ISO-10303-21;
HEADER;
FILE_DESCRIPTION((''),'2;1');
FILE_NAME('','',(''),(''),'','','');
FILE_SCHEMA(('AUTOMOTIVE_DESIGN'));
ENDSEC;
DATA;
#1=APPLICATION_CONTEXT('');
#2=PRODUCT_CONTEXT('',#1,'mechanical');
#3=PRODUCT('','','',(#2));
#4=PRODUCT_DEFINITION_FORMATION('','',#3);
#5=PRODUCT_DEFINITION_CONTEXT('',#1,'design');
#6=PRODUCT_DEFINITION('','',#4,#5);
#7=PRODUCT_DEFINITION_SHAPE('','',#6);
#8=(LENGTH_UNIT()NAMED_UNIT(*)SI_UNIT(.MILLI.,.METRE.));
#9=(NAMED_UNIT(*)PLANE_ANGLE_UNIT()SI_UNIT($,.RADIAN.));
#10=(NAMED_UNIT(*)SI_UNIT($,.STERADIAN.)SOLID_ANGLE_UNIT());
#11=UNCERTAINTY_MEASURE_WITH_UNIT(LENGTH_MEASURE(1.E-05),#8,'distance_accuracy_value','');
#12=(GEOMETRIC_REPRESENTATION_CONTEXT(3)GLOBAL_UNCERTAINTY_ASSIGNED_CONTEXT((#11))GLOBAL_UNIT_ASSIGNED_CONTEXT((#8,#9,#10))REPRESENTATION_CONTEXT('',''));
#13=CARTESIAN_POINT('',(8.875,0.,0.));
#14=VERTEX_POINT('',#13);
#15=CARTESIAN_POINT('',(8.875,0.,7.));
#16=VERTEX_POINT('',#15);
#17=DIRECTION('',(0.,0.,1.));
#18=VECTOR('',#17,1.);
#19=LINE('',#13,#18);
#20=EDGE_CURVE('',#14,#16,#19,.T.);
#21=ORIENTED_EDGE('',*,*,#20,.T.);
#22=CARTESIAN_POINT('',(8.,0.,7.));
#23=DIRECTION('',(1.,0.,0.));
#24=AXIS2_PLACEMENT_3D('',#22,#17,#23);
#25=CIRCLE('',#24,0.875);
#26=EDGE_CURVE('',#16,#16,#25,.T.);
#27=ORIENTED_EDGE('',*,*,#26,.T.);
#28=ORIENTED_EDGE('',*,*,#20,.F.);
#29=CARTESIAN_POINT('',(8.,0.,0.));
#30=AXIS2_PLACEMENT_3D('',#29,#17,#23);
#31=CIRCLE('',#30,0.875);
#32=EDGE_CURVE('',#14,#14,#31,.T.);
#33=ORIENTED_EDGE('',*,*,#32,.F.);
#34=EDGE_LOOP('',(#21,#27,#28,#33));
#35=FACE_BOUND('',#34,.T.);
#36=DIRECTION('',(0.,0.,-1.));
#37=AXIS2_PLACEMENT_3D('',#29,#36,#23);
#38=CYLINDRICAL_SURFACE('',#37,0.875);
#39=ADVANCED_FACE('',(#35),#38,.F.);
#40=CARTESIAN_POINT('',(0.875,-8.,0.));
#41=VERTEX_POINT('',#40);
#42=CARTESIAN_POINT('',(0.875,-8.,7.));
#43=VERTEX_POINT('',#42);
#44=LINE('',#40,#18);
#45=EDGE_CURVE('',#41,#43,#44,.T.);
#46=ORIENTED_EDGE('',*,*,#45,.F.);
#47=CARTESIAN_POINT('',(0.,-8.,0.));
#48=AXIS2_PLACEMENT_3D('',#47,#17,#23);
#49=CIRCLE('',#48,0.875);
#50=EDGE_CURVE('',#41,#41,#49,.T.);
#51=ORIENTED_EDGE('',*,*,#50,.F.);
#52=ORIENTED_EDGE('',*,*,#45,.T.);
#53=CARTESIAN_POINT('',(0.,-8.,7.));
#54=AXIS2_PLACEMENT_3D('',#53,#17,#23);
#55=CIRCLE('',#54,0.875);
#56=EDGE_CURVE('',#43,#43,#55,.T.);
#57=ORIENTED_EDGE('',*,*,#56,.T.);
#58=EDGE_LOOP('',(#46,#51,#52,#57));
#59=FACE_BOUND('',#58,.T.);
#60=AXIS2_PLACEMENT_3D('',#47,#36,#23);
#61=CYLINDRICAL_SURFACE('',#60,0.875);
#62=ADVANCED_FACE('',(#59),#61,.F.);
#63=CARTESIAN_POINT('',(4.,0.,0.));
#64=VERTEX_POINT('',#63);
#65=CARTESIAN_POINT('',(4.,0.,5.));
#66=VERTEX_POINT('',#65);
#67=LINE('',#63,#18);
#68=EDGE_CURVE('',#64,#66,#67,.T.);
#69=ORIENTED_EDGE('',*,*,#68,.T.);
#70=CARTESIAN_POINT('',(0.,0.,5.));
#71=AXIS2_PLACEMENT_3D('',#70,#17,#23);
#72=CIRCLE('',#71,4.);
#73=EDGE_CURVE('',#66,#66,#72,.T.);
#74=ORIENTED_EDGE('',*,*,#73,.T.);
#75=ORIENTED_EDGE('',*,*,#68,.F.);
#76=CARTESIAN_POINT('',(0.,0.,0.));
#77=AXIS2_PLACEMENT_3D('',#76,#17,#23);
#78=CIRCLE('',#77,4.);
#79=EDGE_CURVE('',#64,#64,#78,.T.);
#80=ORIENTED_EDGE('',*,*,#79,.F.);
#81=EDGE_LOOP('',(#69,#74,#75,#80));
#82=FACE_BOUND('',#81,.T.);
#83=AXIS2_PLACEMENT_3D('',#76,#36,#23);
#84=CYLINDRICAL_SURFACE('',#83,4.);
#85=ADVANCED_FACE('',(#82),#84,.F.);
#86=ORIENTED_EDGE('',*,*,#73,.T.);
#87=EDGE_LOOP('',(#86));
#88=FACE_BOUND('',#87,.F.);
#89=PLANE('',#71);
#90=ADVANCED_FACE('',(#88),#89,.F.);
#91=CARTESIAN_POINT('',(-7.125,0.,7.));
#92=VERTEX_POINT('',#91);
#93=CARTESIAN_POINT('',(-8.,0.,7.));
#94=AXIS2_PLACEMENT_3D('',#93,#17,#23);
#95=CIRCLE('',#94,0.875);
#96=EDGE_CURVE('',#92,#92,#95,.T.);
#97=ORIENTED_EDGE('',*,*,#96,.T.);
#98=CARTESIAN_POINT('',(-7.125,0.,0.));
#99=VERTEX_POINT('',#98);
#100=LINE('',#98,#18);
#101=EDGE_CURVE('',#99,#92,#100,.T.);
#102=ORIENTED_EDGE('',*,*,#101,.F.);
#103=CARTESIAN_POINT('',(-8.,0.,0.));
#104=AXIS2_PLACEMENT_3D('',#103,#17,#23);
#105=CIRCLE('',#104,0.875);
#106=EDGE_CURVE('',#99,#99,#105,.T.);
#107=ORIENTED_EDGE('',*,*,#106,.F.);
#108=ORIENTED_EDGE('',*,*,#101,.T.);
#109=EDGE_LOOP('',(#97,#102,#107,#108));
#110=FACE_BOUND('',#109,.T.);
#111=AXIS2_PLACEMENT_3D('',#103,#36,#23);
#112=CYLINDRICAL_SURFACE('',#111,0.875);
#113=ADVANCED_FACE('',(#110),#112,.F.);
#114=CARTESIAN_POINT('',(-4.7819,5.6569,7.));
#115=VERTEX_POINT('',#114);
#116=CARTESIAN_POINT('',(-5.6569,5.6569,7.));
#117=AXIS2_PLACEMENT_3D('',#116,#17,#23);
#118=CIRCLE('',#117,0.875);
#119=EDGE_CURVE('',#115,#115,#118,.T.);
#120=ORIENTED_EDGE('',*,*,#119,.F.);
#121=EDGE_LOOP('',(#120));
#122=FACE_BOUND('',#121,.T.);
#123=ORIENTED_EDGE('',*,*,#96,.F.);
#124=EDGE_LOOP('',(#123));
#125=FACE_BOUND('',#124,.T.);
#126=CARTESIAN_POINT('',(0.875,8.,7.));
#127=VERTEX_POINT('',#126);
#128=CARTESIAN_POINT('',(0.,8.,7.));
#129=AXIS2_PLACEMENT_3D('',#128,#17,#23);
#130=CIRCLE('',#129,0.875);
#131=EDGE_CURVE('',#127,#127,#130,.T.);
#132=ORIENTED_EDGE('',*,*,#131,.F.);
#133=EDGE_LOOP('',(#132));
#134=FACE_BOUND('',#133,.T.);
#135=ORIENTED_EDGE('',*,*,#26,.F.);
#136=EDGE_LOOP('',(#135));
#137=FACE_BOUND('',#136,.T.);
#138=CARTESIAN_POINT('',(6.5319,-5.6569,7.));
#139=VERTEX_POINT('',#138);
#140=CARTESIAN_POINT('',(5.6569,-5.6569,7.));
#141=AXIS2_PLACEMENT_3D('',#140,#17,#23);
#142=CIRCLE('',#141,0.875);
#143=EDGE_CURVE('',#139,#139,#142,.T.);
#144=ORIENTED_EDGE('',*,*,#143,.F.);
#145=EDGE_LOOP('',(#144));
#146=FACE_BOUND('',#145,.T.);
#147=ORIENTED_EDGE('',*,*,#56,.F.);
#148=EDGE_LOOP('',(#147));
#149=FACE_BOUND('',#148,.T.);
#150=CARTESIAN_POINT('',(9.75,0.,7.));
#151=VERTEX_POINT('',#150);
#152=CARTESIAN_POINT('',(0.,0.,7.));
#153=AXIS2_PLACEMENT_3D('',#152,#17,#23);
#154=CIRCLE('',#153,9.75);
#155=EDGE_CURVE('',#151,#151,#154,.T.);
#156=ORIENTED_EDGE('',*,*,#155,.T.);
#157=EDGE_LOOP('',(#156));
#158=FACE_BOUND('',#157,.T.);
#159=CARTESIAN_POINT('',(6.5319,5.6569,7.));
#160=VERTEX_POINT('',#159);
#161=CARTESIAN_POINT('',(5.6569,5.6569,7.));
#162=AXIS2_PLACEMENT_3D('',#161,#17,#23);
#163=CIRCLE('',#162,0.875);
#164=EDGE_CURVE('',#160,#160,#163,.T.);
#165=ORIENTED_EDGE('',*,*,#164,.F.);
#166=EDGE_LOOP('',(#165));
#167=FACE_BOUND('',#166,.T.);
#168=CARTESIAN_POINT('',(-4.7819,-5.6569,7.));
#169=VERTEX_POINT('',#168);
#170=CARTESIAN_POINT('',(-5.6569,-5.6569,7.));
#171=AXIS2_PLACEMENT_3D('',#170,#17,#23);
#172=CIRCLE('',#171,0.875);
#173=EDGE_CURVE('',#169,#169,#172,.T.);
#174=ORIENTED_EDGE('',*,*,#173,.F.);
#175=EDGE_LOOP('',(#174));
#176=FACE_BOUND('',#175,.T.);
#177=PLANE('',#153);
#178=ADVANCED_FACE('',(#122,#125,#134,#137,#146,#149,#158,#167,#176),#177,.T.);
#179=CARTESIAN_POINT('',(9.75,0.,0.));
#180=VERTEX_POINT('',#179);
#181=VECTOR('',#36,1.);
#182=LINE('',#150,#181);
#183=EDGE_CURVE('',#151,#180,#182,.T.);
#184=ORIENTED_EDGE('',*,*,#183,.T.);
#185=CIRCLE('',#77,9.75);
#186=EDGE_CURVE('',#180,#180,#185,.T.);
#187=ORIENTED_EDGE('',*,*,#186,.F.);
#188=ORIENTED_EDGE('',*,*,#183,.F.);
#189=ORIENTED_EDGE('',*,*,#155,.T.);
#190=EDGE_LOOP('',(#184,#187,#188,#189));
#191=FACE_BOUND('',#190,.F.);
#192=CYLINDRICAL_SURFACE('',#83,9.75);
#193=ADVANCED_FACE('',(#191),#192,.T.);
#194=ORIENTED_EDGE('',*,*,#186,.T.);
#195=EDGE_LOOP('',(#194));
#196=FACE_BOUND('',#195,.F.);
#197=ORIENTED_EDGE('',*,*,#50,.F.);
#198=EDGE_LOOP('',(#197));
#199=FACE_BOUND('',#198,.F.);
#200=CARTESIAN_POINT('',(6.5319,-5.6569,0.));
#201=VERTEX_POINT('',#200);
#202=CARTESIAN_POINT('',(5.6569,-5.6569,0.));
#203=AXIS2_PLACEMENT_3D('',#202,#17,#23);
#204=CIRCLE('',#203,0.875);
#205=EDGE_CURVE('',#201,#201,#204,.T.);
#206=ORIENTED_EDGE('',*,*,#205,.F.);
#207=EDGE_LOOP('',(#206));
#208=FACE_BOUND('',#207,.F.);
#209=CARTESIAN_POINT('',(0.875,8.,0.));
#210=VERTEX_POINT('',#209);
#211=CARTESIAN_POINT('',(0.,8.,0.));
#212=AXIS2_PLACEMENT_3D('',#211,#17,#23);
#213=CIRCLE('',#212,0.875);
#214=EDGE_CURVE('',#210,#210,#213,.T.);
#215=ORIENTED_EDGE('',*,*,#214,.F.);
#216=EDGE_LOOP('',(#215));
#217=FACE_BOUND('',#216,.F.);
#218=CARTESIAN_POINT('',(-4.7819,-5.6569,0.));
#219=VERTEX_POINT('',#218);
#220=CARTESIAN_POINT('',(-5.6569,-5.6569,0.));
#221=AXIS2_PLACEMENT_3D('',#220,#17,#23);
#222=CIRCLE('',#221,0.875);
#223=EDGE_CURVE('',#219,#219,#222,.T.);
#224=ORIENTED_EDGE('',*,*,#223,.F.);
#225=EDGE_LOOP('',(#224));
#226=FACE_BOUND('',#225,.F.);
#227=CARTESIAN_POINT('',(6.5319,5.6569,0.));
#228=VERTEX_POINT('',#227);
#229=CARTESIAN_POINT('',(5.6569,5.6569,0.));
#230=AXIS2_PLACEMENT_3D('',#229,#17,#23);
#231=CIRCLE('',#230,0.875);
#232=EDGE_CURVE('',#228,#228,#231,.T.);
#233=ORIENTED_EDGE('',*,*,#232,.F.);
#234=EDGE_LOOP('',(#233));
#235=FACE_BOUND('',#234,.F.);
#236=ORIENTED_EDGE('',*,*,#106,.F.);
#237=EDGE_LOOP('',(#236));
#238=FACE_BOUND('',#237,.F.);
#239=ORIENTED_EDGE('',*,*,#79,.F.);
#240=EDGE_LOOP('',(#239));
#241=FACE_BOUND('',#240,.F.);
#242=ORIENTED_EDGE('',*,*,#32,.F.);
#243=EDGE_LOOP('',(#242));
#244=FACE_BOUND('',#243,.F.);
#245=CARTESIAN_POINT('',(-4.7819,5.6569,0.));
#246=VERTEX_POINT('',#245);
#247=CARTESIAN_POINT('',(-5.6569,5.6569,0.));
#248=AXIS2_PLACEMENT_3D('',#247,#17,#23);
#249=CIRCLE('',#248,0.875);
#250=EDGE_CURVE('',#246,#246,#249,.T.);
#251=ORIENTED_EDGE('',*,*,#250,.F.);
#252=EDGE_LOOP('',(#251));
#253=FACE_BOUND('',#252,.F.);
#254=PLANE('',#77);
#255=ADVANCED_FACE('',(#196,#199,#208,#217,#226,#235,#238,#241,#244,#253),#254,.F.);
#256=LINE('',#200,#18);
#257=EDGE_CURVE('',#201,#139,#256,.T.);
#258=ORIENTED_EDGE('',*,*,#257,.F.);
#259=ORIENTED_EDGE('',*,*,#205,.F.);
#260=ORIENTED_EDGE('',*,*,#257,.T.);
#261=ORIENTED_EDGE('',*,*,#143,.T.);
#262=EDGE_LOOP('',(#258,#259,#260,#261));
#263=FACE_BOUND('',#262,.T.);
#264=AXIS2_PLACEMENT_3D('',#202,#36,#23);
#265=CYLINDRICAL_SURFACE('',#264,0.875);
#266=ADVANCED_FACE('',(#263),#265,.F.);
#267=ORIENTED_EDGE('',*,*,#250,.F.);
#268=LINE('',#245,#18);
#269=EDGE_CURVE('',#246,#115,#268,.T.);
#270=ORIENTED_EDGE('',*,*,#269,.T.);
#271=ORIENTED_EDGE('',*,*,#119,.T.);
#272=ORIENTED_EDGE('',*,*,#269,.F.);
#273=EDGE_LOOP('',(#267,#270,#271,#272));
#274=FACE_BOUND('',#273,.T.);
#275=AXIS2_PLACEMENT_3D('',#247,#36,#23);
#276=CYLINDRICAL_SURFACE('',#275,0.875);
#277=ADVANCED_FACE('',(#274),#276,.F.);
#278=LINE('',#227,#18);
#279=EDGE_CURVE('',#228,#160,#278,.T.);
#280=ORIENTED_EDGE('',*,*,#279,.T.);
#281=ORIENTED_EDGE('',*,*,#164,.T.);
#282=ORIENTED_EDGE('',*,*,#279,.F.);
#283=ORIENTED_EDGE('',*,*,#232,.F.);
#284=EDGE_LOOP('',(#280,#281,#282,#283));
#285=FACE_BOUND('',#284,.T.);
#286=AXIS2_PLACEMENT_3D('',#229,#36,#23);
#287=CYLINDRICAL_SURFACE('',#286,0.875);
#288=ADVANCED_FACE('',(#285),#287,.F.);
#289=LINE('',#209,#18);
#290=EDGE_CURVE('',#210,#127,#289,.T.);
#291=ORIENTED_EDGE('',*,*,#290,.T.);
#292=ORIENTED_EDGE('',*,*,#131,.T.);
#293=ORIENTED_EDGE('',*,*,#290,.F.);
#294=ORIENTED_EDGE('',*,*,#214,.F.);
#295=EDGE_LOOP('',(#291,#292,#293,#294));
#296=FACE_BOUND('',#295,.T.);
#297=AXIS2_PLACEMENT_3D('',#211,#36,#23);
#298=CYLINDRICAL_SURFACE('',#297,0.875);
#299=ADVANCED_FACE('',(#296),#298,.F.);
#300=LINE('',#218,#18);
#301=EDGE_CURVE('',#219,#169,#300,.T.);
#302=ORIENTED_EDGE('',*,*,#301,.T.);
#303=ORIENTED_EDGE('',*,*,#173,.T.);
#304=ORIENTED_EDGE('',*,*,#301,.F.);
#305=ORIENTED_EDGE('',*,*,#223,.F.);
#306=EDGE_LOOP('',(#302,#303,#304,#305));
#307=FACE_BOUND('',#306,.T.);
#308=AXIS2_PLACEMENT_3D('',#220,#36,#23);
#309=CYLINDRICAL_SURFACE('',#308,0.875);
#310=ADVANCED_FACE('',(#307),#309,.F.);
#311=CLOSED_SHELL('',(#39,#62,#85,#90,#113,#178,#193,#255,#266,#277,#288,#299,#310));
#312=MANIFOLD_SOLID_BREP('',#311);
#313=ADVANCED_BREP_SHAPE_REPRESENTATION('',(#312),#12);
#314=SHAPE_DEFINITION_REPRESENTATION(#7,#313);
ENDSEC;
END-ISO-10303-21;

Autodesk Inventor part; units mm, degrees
ref_plane "YZ Plane" through (0, 0, 0) normal (1, 0, 0) x (0, 1, 0)
ref_plane "XZ Plane" through (0, 0, 0) normal (0, 1, 0) x (-1, 0, 0)
ref_plane "XY Plane" through (0, 0, 0) normal (0, 0, 1) x (1, 0, 0)
sketch "Sketch2" plane through (0, 0, 0) normal (0, 0, 1) x (1, 0, 0)
  circle A0 centre (0, 8) radius 0.875
  circle A1 centre (0, 0) radius 1
  circle A2 centre (-5.6569, 5.6569) radius 0.875
  circle A3 centre (-8, 0) radius 0.875
  circle A4 centre (-5.6569, -5.6569) radius 0.875
  circle A5 centre (0, -8) radius 0.875
  circle A6 centre (5.6569, -5.6569) radius 0.875
  circle A7 centre (8, 0) radius 0.875
  circle A8 centre (5.6569, 5.6569) radius 0.875
  circle A9 centre (0, 0) radius 9.75
  circle A10 centre (0, 0) radius 4
  point P0 (0.1028, -10.875)
  dimension "d5" = 360
  dimension "d10" = 1.75
  dimension "d11" = 19.5
  dimension "d12" = 8
  dimension "d13" = 2
extrude "Extrusion1" add sketch "Sketch2" along normal blind 5 contours A9
sketch "Sketch4" plane through (0, 0, 5) normal (0, 0, 1) x (1, 0, 0)
  circle A0 centre (0, 0) radius 9.75 projected
  circle A1 centre (0, 0) radius 4 projected
  circle A2 centre (5.6569, 5.6569) radius 0.875 projected
  circle A3 centre (8, 0) radius 0.875 projected
  circle A4 centre (5.6569, -5.6569) radius 0.875 projected
  circle A5 centre (0, -8) radius 0.875 projected
  circle A6 centre (-5.6569, -5.6569) radius 0.875 projected
  circle A7 centre (-8, 0) radius 0.875 projected
  circle A8 centre (-5.6569, 5.6569) radius 0.875 projected
  circle A9 centre (0, 8) radius 0.875 projected
extrude "Extrusion3" add sketch "Sketch4" along normal blind 2 contours A0 | A1
properties part number "horn_3"
